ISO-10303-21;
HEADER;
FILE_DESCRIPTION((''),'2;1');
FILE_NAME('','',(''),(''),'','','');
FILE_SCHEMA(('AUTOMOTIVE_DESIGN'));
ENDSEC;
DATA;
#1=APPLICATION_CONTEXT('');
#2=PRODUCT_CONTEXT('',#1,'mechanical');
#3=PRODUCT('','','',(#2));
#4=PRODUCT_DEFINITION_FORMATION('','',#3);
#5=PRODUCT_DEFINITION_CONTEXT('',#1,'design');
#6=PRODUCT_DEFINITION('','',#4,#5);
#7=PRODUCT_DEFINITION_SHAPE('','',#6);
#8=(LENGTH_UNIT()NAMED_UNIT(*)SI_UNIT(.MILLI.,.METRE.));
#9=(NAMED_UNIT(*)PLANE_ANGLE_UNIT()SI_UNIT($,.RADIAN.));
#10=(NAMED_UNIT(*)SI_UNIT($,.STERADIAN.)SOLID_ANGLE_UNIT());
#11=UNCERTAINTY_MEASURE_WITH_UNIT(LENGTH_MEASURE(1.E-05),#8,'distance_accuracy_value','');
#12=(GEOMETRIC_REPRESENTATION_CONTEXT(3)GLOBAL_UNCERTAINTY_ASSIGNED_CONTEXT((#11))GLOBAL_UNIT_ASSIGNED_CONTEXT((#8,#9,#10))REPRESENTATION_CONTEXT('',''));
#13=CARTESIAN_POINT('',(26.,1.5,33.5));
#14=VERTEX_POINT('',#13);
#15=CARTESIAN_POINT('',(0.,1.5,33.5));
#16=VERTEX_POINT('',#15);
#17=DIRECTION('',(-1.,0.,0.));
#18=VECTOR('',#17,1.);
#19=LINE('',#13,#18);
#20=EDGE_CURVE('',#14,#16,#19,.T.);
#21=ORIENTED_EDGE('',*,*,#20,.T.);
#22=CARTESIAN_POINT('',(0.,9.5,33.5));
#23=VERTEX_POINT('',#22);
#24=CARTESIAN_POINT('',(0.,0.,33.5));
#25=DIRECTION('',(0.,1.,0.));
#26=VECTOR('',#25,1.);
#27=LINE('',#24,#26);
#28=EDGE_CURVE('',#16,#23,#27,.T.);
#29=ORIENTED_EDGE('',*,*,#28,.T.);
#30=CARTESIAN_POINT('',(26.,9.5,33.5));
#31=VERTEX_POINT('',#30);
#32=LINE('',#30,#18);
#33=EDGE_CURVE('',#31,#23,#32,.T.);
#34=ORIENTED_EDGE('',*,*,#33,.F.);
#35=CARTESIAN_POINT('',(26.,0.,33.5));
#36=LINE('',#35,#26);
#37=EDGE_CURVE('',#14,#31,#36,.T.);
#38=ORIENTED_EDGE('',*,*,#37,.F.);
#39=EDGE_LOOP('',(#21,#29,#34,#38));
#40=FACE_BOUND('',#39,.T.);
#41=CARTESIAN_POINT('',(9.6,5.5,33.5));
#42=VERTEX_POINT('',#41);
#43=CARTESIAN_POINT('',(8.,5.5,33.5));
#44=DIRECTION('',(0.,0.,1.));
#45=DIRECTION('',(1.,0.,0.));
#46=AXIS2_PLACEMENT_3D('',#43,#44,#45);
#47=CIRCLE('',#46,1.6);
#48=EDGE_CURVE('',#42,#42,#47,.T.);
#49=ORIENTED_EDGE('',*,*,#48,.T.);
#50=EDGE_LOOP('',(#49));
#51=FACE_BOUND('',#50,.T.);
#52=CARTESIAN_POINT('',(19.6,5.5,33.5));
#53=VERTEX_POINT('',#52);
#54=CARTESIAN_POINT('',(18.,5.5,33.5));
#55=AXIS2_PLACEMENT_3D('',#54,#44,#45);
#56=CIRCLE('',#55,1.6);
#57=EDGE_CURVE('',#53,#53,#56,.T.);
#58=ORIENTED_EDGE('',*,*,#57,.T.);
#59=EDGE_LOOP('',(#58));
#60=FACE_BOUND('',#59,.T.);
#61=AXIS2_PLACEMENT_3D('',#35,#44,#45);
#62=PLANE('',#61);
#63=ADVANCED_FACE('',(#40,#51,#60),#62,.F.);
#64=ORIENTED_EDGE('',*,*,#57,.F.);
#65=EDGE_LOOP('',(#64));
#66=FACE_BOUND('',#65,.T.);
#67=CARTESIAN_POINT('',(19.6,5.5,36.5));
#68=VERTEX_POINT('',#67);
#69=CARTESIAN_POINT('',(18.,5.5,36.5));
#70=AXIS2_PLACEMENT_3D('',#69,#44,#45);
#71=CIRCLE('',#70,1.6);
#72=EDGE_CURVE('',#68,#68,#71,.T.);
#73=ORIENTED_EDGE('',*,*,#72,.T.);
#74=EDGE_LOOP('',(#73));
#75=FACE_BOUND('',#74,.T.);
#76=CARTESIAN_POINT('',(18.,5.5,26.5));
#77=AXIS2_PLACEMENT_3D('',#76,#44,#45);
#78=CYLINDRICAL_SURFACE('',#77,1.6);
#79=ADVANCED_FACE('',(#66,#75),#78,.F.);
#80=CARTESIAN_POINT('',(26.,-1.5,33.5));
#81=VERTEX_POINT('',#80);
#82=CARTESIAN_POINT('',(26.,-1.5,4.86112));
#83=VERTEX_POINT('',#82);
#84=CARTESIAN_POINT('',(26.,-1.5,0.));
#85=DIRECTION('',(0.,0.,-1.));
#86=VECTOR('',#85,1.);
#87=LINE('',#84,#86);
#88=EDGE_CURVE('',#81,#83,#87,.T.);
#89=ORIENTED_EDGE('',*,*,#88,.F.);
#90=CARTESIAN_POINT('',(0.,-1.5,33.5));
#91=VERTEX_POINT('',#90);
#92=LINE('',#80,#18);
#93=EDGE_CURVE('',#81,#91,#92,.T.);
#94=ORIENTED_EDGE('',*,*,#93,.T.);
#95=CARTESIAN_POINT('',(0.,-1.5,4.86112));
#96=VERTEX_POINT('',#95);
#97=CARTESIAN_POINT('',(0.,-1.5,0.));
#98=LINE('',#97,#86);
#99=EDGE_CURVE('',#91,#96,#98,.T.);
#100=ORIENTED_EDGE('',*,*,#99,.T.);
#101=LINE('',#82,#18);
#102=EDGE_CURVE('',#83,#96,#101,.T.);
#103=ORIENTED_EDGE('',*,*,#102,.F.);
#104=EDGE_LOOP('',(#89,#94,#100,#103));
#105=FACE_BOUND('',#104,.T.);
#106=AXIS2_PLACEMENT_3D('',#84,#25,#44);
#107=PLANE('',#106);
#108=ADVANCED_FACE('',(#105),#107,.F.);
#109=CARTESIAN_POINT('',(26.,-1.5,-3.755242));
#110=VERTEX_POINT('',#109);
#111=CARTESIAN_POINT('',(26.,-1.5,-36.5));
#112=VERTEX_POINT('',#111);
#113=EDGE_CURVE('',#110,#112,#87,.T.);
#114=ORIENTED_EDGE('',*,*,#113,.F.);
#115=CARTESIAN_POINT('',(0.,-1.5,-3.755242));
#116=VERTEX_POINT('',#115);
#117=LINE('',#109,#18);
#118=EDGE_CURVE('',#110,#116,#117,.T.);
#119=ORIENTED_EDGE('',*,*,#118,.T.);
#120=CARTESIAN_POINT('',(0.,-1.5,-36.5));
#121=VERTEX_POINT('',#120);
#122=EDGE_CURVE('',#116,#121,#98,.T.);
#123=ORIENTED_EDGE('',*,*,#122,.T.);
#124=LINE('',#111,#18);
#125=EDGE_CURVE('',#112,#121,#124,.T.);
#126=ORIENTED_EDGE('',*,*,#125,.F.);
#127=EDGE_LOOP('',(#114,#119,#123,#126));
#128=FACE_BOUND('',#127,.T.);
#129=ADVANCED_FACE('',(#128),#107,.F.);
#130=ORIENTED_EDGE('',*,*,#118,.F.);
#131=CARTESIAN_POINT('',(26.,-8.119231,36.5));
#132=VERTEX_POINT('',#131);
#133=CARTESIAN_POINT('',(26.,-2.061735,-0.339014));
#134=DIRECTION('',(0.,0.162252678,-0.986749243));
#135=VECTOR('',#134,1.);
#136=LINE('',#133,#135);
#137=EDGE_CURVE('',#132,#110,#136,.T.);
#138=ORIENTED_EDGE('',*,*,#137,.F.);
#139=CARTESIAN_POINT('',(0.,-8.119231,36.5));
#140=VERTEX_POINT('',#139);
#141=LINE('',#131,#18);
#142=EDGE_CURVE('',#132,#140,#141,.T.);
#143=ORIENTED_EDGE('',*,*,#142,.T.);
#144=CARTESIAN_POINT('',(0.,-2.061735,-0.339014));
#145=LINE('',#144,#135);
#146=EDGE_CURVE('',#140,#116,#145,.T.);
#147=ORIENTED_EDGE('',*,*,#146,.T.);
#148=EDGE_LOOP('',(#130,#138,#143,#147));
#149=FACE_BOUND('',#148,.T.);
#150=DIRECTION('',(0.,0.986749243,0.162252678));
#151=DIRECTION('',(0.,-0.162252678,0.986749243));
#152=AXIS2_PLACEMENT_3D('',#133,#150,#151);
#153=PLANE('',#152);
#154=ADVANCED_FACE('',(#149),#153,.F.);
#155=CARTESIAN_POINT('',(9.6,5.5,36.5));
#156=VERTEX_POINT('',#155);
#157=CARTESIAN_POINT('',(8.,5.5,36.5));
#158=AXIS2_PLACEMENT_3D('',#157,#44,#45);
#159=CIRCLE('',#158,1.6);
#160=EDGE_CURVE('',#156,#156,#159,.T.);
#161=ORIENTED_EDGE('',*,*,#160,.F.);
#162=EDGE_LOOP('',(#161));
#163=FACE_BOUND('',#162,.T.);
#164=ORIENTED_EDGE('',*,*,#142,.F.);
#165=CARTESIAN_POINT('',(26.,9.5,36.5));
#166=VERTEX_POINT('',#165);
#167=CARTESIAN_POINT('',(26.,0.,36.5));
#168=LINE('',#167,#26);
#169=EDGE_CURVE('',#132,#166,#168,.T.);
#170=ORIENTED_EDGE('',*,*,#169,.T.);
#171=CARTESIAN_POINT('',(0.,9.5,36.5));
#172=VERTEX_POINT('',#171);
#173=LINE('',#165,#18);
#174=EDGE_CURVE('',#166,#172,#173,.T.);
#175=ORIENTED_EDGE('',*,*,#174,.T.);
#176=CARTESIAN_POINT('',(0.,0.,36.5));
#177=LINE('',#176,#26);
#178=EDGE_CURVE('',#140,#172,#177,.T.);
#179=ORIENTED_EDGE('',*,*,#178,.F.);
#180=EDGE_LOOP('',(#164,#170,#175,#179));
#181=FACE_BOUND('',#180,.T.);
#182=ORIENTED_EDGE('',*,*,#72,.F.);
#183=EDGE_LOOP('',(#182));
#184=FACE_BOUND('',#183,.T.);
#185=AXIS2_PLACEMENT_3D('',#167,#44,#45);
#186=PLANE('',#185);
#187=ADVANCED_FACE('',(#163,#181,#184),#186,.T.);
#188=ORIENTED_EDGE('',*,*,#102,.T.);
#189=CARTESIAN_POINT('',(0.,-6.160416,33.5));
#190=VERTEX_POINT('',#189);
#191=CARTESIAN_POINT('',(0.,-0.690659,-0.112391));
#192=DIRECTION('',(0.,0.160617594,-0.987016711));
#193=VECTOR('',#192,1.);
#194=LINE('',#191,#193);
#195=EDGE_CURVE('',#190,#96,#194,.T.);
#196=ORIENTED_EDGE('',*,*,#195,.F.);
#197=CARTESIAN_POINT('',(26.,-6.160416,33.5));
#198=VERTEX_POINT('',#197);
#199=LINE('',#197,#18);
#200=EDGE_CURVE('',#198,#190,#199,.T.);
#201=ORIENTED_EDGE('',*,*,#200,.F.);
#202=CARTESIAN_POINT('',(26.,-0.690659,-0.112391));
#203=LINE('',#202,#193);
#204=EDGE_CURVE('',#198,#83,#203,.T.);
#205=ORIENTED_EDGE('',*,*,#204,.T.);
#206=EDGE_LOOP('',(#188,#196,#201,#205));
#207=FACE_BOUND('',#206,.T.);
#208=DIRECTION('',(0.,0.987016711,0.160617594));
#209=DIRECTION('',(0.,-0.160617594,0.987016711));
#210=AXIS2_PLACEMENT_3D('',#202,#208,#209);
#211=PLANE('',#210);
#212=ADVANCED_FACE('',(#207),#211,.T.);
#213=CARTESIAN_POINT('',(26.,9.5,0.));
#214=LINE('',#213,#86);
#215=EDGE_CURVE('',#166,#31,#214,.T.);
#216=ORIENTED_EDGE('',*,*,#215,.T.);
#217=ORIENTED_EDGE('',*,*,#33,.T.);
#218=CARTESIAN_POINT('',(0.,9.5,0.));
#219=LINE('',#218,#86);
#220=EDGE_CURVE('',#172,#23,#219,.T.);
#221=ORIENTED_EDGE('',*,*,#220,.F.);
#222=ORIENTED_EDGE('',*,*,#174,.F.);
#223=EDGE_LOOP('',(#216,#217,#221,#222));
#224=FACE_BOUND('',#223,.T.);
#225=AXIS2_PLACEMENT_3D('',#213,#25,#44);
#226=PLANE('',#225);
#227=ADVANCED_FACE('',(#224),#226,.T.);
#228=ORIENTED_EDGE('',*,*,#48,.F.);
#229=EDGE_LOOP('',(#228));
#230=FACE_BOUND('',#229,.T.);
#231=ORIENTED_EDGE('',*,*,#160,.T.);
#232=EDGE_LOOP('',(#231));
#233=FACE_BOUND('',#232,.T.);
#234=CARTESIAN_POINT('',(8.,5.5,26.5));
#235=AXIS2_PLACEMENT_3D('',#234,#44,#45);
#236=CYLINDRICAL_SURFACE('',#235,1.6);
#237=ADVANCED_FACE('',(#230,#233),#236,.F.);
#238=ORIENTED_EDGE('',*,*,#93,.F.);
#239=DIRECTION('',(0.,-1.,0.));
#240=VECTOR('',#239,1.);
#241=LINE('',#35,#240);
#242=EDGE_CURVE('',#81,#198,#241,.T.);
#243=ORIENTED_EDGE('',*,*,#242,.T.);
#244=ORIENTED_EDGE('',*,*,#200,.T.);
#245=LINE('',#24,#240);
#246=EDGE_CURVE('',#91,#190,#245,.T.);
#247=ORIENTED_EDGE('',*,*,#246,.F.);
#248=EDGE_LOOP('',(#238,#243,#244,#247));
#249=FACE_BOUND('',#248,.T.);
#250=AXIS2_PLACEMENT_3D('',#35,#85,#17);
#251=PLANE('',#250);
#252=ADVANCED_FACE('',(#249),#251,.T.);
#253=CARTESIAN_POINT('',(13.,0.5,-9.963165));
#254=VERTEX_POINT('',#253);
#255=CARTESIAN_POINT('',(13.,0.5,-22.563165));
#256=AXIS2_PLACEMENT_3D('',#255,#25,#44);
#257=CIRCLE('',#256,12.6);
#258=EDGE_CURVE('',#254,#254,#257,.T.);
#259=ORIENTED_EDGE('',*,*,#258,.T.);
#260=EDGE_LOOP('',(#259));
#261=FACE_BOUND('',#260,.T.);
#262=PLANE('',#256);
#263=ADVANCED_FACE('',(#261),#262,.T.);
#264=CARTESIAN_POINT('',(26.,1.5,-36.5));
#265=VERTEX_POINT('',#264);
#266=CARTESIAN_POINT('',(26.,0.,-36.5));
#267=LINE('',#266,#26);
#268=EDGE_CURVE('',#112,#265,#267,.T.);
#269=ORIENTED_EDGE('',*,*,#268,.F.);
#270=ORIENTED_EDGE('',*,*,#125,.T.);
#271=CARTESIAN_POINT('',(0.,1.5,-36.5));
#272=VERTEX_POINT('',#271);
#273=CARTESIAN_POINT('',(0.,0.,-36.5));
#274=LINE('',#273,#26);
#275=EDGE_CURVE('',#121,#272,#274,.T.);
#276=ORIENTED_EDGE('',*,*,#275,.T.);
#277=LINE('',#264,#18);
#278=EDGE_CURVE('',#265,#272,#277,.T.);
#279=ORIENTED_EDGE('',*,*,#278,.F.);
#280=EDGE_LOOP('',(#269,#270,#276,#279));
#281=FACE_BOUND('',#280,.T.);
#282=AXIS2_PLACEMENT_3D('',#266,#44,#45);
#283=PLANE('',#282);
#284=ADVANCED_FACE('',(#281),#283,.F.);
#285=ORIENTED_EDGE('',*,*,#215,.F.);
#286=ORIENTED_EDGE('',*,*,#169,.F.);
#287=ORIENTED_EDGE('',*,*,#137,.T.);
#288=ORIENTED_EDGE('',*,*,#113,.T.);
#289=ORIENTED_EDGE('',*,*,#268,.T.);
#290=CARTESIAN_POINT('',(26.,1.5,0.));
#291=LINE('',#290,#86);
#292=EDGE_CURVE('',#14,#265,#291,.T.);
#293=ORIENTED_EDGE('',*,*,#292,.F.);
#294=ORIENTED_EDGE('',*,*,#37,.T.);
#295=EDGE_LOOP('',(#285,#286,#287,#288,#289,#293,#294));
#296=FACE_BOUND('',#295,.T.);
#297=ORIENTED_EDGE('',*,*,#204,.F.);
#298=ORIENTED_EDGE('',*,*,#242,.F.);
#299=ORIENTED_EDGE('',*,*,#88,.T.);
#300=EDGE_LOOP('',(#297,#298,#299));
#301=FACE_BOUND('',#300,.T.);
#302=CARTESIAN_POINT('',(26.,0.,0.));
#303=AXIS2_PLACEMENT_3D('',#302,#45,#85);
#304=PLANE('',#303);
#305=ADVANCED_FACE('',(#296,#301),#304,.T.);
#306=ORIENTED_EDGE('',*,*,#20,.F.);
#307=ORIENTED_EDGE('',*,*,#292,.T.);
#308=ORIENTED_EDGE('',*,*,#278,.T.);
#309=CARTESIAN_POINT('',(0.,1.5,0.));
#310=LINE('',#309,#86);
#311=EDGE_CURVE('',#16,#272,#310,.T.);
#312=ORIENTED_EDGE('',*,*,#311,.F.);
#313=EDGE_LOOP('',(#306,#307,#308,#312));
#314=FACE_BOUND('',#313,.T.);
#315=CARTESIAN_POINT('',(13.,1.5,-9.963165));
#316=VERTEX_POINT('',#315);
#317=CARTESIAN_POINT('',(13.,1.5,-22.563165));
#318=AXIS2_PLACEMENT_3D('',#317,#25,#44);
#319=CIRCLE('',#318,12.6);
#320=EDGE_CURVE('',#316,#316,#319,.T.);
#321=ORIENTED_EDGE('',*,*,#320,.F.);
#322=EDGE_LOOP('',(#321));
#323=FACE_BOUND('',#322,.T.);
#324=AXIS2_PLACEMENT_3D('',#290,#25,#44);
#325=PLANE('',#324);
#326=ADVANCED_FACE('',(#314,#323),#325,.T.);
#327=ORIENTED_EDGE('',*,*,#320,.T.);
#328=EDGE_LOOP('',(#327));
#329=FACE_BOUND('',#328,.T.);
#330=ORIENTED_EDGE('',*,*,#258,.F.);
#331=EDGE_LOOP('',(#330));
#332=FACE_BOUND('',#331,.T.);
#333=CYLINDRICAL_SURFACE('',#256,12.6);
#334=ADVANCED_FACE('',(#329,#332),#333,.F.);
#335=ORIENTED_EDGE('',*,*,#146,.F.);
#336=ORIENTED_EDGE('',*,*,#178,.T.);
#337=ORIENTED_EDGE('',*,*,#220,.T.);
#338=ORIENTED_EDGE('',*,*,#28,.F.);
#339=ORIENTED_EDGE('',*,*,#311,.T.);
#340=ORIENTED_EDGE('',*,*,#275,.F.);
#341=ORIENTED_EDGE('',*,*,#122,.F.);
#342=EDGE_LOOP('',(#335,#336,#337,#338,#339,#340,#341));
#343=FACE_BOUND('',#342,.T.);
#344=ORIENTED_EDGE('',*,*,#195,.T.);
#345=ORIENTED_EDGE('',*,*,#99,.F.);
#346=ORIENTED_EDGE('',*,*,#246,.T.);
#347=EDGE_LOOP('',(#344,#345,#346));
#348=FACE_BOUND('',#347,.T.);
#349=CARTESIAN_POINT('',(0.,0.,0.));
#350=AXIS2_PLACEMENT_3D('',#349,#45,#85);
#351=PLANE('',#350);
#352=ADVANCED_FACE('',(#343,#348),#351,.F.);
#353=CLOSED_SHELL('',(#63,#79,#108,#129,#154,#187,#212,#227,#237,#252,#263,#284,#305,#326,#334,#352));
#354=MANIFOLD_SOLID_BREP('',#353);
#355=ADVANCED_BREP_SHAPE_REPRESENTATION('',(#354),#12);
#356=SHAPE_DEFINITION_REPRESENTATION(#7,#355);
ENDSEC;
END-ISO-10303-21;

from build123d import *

# Parameters (mm, degrees)
EXTRUDE_1_DEPTH     = 26
SKETCH_2_R          = 1.6
CUT_EXTRUDE_1_DEPTH = 10
SKETCH_3_R          = 12.6
CUT_EXTRUDE_2_DEPTH = 1


with BuildPart() as part:
    # 草图1 → 凸台-拉伸1 (new body)
    with BuildSketch(Plane(origin=(0, 0, 0), x_dir=(0, 0, -1), z_dir=(1, 0, 0))):
        Polygon((-36.5, -8.11923054), (3.755241517, -1.5), (36.5, -1.5), (36.5, 1.5), (-33.5, 1.5), (-33.5, 9.5), (-36.5, 9.5), align=None)
        Polygon((-4.861119654, -1.5), (-33.5, -6.160415563), (-33.5, -1.5), align=None, mode=Mode.SUBTRACT)
    extrude(amount=EXTRUDE_1_DEPTH)

    # 草图2 → 切除-拉伸1 (cut)
    with BuildSketch(Plane.XY.offset(36.5)):
        with Locations((8, 5.5)):
            Circle(SKETCH_2_R)
        with Locations((18, 5.5)):
            Circle(SKETCH_2_R)
    extrude(amount=-CUT_EXTRUDE_1_DEPTH, mode=Mode.SUBTRACT)

    # 草图3 → 切除-拉伸2 (cut)
    with BuildSketch(Plane(origin=(0, 1.5, 0), x_dir=(1, 0, 0), z_dir=(0, 1, 0))):
        with Locations(Location((13, 22.563165018, 0), (0, 0, 270))):
            Circle(SKETCH_3_R)
    extrude(amount=-CUT_EXTRUDE_2_DEPTH, mode=Mode.SUBTRACT)


solid = part.part
